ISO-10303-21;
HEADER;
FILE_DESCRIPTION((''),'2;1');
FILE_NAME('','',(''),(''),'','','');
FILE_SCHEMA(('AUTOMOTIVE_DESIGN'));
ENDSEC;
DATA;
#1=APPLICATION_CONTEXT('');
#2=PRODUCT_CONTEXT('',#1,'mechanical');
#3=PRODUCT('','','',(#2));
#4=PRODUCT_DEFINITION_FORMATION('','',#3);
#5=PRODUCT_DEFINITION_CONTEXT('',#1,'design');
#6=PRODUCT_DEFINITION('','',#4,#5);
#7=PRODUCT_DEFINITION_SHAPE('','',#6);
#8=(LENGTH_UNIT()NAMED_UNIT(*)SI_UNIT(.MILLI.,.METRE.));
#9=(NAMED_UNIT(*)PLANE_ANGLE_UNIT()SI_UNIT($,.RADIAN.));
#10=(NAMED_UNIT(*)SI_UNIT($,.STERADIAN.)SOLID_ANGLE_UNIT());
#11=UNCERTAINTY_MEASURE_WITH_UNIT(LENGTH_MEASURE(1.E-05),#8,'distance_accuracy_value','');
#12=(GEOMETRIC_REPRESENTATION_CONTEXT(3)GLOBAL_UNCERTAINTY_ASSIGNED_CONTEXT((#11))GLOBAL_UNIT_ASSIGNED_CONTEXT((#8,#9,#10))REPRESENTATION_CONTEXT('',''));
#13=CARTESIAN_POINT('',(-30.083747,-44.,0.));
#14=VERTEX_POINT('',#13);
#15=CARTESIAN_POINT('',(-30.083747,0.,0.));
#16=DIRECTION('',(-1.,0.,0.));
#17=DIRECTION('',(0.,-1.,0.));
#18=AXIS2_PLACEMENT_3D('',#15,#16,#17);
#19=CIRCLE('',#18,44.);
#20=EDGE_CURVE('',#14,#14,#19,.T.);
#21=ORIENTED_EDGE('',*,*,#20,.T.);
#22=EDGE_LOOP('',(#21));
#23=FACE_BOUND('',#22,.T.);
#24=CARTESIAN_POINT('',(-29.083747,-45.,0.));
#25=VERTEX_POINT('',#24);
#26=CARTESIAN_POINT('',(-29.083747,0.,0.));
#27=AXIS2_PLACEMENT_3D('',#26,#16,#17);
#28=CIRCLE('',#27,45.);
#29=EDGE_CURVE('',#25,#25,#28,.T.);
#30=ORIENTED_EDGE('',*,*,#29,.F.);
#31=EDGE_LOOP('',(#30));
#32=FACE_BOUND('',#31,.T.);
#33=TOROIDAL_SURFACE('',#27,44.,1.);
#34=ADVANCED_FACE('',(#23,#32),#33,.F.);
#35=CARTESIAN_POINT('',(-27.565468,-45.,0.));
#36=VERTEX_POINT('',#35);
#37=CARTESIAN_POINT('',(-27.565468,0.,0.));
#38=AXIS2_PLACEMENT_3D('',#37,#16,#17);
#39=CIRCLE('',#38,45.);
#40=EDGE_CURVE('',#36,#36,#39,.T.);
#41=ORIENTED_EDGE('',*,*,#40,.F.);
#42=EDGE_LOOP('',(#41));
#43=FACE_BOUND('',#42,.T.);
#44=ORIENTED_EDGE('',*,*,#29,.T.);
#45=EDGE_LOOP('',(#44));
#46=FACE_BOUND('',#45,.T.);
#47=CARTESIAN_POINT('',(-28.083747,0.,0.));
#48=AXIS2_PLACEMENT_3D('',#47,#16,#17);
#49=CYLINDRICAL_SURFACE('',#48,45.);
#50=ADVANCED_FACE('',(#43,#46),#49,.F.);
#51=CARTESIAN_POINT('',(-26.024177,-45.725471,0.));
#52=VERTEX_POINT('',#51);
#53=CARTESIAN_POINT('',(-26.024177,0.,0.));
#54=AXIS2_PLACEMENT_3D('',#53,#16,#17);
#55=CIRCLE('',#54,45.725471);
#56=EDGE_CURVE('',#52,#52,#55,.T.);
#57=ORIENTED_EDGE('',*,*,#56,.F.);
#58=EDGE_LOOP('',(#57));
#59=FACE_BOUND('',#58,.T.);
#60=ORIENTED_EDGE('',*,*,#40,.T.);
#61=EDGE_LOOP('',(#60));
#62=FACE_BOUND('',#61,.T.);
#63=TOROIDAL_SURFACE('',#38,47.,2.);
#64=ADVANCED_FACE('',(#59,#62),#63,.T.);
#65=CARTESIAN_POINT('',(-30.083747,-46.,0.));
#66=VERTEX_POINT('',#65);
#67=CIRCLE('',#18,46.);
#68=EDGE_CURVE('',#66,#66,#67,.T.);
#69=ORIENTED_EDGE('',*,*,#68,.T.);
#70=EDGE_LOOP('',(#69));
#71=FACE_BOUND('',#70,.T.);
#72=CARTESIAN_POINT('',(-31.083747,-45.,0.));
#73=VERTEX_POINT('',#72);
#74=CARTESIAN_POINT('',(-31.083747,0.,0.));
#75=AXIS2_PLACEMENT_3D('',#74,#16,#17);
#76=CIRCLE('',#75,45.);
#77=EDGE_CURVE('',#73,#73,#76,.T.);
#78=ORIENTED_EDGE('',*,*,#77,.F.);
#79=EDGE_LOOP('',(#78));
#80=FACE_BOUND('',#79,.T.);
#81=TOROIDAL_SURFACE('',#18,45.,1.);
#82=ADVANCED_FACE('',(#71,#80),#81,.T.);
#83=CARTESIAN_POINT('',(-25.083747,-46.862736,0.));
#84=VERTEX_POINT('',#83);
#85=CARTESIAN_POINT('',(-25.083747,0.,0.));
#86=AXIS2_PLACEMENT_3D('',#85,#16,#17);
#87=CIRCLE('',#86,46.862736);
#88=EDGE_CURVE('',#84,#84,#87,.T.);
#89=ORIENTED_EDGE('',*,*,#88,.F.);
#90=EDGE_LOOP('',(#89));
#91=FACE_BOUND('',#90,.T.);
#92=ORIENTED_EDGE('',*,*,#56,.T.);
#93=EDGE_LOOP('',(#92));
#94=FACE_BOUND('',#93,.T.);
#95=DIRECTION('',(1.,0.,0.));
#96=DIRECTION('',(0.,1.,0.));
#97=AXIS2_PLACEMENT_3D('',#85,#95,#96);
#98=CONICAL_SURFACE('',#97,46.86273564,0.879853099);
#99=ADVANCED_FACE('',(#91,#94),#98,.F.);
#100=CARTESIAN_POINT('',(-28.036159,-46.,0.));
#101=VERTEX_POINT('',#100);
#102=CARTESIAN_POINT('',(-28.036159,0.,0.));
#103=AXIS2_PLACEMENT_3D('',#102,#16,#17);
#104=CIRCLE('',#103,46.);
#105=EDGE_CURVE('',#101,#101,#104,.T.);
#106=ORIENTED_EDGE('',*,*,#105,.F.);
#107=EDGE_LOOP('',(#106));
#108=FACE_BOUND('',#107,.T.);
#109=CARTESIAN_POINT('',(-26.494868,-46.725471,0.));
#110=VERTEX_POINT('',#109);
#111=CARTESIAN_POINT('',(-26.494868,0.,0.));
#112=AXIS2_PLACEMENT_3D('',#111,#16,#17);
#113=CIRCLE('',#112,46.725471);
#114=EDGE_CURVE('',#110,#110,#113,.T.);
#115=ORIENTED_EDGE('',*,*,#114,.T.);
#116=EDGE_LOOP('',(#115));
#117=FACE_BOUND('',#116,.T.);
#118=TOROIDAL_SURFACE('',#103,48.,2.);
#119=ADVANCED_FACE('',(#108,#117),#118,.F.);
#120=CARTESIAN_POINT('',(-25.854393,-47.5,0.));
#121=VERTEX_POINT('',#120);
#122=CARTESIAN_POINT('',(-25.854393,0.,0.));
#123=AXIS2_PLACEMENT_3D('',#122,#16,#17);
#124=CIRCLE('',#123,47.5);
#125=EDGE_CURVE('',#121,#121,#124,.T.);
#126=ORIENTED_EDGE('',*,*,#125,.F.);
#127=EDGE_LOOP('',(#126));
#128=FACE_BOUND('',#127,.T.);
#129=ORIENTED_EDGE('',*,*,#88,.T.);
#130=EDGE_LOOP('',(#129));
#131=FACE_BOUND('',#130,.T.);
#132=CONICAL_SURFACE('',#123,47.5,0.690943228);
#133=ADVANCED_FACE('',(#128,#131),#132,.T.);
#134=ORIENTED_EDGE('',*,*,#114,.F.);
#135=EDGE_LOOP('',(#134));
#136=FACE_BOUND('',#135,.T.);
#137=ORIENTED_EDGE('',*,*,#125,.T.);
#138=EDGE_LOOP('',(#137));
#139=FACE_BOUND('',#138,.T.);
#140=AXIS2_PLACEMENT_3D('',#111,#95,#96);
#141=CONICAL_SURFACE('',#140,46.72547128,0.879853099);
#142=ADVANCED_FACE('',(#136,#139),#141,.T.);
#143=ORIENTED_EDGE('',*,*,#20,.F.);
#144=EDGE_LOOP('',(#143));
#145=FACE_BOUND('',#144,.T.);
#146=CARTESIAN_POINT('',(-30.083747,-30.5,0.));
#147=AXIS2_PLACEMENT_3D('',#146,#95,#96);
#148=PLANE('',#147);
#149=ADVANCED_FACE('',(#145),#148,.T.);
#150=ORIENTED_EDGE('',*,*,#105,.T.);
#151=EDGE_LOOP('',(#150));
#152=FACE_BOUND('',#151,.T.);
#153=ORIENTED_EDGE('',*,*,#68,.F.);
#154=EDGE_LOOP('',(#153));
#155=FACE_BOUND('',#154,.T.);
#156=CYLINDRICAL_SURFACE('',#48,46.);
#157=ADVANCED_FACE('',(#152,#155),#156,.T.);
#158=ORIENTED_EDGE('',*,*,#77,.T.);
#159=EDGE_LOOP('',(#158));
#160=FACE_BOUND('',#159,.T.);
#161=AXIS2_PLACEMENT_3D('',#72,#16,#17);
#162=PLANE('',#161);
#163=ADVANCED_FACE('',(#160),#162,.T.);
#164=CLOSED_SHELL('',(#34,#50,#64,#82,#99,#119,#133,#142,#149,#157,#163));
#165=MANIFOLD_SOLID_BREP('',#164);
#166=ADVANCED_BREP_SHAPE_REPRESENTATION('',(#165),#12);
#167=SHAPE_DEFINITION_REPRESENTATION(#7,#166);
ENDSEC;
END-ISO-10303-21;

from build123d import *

# Parameters (mm, degrees)
SKETCH_2_R          = 36.366400699
CUT_EXTRUDE_1_DEPTH = 16
SKETCH_3_R          = 34.490812752
EXTRUDE_1_DEPTH     = 1


with BuildPart() as part:
    # 草图1 → 旋转1 (revolve)
    with BuildSketch(Plane.XY):
        with BuildLine():
            Line((-38.083747267, -28.5), (-32.083747267, -28.5))
            ThreePointArc((-32.083747267, -28.5), (-30.669533704, -29.085786438), (-30.083747267, -30.5))
            Line((-30.083747267, -30.5), (-30.083747267, -44))
            ThreePointArc((-30.083747267, -44), (-29.790854048, -44.707106781), (-29.083747267, -45))
            Line((-29.083747267, -45), (-27.565467955, -45))
            ThreePointArc((-27.565467955, -45), (-26.713721936, -45.190434107), (-26.02417741, -45.72547128))
            Line((-26.02417741, -45.72547128), (-25.083747267, -46.86273564))
            Line((-25.083747267, -46.86273564), (-25.854392539, -47.5))
            Line((-25.854392539, -47.5), (-26.494868211, -46.72547128))
            ThreePointArc((-26.494868211, -46.72547128), (-27.184412737, -46.190434107), (-28.036158755, -46))
            Line((-28.036158755, -46), (-30.083747267, -46))
            ThreePointArc((-30.083747267, -46), (-30.790854048, -45.707106781), (-31.083747267, -45))
            Line((-31.083747267, -45), (-31.083747267, -31.5))
            ThreePointArc((-31.083747267, -31.5), (-31.669533704, -30.085786438), (-33.083747267, -29.5))
            Line((-33.083747267, -29.5), (-37.083747267, -29.5))
            ThreePointArc((-37.083747267, -29.5), (-37.790854048, -29.207106781), (-38.083747267, -28.5))
        make_face()
    revolve(axis=Axis((-28.083747267, 0, 0), (1, 0, 0)))

    # 草图2 → 切除-拉伸1 (cut)
    with BuildSketch(Plane.ZY.offset(31.083747267)):
        Circle(SKETCH_2_R)
    extrude(amount=CUT_EXTRUDE_1_DEPTH, mode=Mode.SUBTRACT)

    # 草图3 → 凸台-拉伸1 (add)
    with BuildSketch(Plane.ZY.offset(31.083747267)):
        Circle(SKETCH_3_R)
    extrude(amount=-EXTRUDE_1_DEPTH)


solid = part.part
